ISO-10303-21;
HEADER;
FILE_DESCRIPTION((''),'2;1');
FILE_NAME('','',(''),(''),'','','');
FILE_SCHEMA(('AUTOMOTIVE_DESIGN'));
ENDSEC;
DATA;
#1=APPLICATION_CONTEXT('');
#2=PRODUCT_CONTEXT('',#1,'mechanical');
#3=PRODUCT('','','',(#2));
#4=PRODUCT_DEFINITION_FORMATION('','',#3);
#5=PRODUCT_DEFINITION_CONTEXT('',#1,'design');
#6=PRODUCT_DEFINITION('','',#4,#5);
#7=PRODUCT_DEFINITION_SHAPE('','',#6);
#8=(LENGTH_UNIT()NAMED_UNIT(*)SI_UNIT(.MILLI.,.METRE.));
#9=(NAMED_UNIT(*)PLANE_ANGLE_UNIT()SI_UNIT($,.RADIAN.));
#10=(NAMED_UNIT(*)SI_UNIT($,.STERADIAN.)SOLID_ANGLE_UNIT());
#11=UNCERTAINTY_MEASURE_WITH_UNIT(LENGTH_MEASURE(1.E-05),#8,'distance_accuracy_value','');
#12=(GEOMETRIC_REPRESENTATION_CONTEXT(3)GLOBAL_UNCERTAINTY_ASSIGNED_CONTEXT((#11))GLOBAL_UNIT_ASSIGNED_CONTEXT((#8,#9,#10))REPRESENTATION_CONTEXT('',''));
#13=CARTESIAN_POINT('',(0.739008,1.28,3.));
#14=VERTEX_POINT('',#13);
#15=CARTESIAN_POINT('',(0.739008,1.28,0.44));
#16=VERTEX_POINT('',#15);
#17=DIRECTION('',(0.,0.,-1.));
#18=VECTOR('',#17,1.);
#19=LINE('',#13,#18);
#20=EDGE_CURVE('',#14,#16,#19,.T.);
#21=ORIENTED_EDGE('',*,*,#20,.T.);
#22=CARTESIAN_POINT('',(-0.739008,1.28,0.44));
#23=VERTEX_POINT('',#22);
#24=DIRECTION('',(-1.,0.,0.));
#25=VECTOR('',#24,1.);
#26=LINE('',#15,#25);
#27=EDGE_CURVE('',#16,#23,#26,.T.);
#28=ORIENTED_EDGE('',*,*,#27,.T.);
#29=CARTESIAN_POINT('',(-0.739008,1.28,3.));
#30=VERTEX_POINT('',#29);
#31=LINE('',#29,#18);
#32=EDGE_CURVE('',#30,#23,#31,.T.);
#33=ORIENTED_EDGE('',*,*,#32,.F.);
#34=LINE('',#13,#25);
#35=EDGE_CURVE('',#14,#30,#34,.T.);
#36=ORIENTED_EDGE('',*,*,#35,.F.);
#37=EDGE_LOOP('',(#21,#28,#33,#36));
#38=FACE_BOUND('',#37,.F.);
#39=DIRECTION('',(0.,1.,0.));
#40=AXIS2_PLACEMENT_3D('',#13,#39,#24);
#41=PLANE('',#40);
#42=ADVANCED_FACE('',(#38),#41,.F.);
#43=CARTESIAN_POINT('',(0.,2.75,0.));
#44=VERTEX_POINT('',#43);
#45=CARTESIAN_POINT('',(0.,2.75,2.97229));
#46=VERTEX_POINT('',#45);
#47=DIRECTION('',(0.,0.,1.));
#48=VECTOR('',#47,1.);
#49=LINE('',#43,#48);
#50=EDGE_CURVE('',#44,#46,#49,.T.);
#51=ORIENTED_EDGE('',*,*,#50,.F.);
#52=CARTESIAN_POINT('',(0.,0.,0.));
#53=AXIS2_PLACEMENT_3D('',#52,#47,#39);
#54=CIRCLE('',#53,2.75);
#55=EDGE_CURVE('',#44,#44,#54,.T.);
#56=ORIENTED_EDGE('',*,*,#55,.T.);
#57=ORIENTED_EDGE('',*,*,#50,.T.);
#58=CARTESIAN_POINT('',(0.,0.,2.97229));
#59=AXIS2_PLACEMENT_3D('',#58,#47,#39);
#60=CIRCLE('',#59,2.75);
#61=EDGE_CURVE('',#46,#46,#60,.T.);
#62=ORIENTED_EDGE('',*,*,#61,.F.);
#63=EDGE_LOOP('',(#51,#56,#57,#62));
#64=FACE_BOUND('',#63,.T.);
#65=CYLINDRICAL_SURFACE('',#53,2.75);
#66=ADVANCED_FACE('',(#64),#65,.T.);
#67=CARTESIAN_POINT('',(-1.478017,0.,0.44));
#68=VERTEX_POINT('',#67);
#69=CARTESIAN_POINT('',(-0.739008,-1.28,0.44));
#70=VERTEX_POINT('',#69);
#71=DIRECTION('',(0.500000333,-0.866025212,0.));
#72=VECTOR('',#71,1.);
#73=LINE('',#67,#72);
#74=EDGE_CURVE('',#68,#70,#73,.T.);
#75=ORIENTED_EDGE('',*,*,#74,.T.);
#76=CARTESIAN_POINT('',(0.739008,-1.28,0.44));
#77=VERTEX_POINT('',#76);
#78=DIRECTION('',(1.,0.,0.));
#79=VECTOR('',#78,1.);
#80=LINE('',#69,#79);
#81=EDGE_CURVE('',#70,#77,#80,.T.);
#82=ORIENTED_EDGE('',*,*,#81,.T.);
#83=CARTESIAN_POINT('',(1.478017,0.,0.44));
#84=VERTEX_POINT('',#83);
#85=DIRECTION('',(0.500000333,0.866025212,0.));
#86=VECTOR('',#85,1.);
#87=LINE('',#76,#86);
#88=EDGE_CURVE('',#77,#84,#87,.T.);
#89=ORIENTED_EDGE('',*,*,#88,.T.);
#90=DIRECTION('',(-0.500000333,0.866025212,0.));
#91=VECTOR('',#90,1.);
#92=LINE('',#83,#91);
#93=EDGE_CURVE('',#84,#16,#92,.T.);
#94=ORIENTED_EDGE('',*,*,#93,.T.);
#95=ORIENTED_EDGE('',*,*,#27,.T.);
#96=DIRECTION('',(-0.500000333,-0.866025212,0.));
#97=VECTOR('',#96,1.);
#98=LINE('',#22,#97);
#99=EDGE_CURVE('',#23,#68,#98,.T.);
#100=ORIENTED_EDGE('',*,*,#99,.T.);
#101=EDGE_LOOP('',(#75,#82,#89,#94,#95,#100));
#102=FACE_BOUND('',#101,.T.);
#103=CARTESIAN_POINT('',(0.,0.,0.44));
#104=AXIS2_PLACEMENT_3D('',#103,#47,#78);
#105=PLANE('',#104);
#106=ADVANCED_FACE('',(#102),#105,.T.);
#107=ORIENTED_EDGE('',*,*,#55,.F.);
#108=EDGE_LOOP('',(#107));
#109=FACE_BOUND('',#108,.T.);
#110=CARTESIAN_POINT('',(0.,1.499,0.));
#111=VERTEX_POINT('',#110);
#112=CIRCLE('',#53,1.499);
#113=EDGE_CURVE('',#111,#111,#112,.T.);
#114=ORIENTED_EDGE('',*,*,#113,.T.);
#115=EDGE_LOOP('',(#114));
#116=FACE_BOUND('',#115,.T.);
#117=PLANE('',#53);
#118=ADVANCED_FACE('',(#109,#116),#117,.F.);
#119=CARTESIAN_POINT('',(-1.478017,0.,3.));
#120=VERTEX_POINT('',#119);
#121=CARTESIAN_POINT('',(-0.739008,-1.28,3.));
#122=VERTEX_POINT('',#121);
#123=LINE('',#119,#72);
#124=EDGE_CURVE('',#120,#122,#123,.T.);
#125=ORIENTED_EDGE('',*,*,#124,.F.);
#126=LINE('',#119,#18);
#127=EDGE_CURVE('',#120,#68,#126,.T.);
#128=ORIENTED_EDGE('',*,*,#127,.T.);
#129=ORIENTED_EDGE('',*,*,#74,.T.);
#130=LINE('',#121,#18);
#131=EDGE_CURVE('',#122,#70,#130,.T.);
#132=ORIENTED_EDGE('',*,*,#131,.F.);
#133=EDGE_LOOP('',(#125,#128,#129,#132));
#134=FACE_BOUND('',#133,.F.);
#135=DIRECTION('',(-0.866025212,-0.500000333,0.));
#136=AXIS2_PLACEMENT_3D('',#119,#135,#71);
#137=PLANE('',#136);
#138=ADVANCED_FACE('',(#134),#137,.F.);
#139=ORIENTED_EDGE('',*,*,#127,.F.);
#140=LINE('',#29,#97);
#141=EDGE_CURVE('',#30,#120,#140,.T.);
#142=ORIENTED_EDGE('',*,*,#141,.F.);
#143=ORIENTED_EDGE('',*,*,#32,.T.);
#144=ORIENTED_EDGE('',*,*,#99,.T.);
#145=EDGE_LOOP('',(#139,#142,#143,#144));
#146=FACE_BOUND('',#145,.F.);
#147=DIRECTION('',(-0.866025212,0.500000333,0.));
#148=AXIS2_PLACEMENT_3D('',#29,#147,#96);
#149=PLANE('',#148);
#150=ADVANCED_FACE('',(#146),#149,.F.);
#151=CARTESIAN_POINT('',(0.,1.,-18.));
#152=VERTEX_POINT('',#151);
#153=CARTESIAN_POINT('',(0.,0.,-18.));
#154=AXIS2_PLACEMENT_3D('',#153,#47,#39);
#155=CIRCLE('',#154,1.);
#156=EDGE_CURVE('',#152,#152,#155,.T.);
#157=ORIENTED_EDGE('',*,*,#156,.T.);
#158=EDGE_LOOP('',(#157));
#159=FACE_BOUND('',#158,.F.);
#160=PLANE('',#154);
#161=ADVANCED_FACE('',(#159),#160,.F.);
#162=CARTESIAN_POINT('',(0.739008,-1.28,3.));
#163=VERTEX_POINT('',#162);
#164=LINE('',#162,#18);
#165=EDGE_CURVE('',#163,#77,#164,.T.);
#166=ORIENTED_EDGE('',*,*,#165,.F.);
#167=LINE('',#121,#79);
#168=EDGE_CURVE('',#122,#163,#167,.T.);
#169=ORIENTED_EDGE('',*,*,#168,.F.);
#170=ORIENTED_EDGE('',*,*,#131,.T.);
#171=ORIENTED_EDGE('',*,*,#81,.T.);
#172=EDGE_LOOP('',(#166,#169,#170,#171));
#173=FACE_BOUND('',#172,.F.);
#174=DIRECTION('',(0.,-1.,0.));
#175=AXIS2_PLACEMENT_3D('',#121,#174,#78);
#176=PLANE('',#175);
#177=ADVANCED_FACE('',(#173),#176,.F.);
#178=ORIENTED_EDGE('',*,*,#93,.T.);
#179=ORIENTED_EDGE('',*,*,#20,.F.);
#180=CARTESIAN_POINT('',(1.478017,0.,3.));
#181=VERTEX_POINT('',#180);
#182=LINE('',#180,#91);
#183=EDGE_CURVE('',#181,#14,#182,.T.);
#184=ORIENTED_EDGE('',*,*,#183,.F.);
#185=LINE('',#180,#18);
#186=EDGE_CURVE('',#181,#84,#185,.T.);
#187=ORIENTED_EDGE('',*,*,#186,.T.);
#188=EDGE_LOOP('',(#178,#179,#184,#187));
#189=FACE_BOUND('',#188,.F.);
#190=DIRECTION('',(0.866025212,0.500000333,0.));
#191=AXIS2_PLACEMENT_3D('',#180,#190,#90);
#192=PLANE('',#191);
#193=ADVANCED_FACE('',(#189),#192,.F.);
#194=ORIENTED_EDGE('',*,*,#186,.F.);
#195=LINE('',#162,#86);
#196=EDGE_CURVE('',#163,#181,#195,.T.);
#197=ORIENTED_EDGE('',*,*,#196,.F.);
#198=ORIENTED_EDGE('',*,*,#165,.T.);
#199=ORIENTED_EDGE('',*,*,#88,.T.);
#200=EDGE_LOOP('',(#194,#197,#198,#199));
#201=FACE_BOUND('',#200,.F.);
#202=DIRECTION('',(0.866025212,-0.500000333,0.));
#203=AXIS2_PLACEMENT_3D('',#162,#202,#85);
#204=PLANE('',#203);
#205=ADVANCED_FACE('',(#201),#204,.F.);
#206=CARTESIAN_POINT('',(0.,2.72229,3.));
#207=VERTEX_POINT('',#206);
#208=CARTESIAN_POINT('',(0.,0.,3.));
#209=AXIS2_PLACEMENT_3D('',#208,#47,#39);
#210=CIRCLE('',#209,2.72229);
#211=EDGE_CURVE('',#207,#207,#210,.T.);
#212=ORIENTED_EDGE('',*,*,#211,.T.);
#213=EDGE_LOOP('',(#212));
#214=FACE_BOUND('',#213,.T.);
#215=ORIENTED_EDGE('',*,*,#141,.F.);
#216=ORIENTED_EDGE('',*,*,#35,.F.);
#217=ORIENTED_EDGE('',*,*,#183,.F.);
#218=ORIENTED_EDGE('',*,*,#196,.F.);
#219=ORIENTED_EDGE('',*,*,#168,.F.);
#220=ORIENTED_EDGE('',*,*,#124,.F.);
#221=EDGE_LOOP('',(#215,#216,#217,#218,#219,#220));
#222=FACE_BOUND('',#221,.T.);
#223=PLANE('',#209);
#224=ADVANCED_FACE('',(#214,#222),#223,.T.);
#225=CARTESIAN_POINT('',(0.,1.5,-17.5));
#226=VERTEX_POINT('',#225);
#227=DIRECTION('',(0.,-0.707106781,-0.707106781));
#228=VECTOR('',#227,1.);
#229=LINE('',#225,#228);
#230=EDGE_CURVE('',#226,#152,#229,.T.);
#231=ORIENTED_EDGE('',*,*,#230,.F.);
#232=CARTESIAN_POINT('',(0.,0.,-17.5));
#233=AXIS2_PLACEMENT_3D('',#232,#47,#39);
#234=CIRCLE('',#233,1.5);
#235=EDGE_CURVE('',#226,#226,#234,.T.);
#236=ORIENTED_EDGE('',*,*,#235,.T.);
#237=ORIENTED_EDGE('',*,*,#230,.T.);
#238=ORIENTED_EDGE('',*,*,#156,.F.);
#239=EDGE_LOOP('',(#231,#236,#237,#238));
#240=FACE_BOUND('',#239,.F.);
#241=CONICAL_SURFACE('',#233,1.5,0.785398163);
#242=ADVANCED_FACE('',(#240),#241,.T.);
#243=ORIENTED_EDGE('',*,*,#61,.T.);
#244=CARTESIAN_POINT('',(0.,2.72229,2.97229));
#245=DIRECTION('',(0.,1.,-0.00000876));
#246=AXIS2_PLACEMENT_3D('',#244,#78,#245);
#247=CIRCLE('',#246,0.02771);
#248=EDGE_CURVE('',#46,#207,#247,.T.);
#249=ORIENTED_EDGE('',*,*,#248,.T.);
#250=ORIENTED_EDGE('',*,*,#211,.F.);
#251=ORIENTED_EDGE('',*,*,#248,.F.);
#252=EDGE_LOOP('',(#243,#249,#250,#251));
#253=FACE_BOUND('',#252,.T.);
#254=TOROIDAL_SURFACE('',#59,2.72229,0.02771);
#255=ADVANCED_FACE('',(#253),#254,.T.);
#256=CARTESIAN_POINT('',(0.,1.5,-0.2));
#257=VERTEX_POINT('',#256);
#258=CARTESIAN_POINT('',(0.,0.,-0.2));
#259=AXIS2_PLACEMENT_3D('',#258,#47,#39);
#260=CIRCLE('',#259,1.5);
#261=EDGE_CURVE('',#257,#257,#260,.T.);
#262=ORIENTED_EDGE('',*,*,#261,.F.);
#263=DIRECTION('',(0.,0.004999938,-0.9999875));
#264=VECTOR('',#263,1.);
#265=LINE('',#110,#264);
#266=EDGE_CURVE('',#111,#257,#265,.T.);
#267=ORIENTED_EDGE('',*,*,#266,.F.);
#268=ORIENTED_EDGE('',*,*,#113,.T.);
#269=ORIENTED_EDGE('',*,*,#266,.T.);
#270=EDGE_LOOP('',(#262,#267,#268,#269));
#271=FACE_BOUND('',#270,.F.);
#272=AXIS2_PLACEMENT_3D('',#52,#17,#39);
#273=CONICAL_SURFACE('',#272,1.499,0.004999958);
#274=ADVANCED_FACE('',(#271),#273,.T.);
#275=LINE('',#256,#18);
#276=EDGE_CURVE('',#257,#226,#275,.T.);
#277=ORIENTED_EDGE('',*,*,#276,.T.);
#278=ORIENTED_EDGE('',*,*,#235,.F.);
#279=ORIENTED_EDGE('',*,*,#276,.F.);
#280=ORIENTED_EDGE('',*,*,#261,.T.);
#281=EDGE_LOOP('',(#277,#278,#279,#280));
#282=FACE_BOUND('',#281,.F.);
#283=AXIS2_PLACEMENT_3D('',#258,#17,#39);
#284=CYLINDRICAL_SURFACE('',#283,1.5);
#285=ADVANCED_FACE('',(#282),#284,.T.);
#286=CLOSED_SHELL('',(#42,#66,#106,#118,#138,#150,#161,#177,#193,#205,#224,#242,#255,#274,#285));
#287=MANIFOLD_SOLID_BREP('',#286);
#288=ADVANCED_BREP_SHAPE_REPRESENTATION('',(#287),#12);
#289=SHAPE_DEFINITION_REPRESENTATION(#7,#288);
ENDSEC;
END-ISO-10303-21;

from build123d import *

# Parameters (mm, degrees)
POCKET_DEPTH = 2.56


with BuildPart() as part:
    # Sketch → Revolve (revolve)
    with BuildSketch(Plane.YZ):
        with BuildLine():
            Line((1.499, 0), (2.75, 0))
            Line((2.75, 0), (2.75, 2.97229))
            ThreePointArc((2.75, 2.97229), (2.741884, 2.991884), (2.72229, 3))
            Line((2.72229, 3), (0, 3))
            Line((0, -18), (0, 3))
            Line((1, -18), (0, -18))
            Line((1.5, -17.5), (1, -18))
            Line((1.5, -0.2), (1.5, -17.5))
            Line((1.499, 0), (1.5, -0.2))
        make_face()
    revolve(axis=Axis((0, 0, 0), (0, 0, 1)))

    # Sketch001 → Pocket (cut)
    with BuildSketch(Plane.XY.offset(3)):
        Polygon((1.478017, 0), (0.739008, 1.28), (-0.739008, 1.28), (-1.478017, 0), (-0.739008, -1.28), (0.739008, -1.28), align=None)
    extrude(amount=-POCKET_DEPTH, mode=Mode.SUBTRACT)


solid = part.part
